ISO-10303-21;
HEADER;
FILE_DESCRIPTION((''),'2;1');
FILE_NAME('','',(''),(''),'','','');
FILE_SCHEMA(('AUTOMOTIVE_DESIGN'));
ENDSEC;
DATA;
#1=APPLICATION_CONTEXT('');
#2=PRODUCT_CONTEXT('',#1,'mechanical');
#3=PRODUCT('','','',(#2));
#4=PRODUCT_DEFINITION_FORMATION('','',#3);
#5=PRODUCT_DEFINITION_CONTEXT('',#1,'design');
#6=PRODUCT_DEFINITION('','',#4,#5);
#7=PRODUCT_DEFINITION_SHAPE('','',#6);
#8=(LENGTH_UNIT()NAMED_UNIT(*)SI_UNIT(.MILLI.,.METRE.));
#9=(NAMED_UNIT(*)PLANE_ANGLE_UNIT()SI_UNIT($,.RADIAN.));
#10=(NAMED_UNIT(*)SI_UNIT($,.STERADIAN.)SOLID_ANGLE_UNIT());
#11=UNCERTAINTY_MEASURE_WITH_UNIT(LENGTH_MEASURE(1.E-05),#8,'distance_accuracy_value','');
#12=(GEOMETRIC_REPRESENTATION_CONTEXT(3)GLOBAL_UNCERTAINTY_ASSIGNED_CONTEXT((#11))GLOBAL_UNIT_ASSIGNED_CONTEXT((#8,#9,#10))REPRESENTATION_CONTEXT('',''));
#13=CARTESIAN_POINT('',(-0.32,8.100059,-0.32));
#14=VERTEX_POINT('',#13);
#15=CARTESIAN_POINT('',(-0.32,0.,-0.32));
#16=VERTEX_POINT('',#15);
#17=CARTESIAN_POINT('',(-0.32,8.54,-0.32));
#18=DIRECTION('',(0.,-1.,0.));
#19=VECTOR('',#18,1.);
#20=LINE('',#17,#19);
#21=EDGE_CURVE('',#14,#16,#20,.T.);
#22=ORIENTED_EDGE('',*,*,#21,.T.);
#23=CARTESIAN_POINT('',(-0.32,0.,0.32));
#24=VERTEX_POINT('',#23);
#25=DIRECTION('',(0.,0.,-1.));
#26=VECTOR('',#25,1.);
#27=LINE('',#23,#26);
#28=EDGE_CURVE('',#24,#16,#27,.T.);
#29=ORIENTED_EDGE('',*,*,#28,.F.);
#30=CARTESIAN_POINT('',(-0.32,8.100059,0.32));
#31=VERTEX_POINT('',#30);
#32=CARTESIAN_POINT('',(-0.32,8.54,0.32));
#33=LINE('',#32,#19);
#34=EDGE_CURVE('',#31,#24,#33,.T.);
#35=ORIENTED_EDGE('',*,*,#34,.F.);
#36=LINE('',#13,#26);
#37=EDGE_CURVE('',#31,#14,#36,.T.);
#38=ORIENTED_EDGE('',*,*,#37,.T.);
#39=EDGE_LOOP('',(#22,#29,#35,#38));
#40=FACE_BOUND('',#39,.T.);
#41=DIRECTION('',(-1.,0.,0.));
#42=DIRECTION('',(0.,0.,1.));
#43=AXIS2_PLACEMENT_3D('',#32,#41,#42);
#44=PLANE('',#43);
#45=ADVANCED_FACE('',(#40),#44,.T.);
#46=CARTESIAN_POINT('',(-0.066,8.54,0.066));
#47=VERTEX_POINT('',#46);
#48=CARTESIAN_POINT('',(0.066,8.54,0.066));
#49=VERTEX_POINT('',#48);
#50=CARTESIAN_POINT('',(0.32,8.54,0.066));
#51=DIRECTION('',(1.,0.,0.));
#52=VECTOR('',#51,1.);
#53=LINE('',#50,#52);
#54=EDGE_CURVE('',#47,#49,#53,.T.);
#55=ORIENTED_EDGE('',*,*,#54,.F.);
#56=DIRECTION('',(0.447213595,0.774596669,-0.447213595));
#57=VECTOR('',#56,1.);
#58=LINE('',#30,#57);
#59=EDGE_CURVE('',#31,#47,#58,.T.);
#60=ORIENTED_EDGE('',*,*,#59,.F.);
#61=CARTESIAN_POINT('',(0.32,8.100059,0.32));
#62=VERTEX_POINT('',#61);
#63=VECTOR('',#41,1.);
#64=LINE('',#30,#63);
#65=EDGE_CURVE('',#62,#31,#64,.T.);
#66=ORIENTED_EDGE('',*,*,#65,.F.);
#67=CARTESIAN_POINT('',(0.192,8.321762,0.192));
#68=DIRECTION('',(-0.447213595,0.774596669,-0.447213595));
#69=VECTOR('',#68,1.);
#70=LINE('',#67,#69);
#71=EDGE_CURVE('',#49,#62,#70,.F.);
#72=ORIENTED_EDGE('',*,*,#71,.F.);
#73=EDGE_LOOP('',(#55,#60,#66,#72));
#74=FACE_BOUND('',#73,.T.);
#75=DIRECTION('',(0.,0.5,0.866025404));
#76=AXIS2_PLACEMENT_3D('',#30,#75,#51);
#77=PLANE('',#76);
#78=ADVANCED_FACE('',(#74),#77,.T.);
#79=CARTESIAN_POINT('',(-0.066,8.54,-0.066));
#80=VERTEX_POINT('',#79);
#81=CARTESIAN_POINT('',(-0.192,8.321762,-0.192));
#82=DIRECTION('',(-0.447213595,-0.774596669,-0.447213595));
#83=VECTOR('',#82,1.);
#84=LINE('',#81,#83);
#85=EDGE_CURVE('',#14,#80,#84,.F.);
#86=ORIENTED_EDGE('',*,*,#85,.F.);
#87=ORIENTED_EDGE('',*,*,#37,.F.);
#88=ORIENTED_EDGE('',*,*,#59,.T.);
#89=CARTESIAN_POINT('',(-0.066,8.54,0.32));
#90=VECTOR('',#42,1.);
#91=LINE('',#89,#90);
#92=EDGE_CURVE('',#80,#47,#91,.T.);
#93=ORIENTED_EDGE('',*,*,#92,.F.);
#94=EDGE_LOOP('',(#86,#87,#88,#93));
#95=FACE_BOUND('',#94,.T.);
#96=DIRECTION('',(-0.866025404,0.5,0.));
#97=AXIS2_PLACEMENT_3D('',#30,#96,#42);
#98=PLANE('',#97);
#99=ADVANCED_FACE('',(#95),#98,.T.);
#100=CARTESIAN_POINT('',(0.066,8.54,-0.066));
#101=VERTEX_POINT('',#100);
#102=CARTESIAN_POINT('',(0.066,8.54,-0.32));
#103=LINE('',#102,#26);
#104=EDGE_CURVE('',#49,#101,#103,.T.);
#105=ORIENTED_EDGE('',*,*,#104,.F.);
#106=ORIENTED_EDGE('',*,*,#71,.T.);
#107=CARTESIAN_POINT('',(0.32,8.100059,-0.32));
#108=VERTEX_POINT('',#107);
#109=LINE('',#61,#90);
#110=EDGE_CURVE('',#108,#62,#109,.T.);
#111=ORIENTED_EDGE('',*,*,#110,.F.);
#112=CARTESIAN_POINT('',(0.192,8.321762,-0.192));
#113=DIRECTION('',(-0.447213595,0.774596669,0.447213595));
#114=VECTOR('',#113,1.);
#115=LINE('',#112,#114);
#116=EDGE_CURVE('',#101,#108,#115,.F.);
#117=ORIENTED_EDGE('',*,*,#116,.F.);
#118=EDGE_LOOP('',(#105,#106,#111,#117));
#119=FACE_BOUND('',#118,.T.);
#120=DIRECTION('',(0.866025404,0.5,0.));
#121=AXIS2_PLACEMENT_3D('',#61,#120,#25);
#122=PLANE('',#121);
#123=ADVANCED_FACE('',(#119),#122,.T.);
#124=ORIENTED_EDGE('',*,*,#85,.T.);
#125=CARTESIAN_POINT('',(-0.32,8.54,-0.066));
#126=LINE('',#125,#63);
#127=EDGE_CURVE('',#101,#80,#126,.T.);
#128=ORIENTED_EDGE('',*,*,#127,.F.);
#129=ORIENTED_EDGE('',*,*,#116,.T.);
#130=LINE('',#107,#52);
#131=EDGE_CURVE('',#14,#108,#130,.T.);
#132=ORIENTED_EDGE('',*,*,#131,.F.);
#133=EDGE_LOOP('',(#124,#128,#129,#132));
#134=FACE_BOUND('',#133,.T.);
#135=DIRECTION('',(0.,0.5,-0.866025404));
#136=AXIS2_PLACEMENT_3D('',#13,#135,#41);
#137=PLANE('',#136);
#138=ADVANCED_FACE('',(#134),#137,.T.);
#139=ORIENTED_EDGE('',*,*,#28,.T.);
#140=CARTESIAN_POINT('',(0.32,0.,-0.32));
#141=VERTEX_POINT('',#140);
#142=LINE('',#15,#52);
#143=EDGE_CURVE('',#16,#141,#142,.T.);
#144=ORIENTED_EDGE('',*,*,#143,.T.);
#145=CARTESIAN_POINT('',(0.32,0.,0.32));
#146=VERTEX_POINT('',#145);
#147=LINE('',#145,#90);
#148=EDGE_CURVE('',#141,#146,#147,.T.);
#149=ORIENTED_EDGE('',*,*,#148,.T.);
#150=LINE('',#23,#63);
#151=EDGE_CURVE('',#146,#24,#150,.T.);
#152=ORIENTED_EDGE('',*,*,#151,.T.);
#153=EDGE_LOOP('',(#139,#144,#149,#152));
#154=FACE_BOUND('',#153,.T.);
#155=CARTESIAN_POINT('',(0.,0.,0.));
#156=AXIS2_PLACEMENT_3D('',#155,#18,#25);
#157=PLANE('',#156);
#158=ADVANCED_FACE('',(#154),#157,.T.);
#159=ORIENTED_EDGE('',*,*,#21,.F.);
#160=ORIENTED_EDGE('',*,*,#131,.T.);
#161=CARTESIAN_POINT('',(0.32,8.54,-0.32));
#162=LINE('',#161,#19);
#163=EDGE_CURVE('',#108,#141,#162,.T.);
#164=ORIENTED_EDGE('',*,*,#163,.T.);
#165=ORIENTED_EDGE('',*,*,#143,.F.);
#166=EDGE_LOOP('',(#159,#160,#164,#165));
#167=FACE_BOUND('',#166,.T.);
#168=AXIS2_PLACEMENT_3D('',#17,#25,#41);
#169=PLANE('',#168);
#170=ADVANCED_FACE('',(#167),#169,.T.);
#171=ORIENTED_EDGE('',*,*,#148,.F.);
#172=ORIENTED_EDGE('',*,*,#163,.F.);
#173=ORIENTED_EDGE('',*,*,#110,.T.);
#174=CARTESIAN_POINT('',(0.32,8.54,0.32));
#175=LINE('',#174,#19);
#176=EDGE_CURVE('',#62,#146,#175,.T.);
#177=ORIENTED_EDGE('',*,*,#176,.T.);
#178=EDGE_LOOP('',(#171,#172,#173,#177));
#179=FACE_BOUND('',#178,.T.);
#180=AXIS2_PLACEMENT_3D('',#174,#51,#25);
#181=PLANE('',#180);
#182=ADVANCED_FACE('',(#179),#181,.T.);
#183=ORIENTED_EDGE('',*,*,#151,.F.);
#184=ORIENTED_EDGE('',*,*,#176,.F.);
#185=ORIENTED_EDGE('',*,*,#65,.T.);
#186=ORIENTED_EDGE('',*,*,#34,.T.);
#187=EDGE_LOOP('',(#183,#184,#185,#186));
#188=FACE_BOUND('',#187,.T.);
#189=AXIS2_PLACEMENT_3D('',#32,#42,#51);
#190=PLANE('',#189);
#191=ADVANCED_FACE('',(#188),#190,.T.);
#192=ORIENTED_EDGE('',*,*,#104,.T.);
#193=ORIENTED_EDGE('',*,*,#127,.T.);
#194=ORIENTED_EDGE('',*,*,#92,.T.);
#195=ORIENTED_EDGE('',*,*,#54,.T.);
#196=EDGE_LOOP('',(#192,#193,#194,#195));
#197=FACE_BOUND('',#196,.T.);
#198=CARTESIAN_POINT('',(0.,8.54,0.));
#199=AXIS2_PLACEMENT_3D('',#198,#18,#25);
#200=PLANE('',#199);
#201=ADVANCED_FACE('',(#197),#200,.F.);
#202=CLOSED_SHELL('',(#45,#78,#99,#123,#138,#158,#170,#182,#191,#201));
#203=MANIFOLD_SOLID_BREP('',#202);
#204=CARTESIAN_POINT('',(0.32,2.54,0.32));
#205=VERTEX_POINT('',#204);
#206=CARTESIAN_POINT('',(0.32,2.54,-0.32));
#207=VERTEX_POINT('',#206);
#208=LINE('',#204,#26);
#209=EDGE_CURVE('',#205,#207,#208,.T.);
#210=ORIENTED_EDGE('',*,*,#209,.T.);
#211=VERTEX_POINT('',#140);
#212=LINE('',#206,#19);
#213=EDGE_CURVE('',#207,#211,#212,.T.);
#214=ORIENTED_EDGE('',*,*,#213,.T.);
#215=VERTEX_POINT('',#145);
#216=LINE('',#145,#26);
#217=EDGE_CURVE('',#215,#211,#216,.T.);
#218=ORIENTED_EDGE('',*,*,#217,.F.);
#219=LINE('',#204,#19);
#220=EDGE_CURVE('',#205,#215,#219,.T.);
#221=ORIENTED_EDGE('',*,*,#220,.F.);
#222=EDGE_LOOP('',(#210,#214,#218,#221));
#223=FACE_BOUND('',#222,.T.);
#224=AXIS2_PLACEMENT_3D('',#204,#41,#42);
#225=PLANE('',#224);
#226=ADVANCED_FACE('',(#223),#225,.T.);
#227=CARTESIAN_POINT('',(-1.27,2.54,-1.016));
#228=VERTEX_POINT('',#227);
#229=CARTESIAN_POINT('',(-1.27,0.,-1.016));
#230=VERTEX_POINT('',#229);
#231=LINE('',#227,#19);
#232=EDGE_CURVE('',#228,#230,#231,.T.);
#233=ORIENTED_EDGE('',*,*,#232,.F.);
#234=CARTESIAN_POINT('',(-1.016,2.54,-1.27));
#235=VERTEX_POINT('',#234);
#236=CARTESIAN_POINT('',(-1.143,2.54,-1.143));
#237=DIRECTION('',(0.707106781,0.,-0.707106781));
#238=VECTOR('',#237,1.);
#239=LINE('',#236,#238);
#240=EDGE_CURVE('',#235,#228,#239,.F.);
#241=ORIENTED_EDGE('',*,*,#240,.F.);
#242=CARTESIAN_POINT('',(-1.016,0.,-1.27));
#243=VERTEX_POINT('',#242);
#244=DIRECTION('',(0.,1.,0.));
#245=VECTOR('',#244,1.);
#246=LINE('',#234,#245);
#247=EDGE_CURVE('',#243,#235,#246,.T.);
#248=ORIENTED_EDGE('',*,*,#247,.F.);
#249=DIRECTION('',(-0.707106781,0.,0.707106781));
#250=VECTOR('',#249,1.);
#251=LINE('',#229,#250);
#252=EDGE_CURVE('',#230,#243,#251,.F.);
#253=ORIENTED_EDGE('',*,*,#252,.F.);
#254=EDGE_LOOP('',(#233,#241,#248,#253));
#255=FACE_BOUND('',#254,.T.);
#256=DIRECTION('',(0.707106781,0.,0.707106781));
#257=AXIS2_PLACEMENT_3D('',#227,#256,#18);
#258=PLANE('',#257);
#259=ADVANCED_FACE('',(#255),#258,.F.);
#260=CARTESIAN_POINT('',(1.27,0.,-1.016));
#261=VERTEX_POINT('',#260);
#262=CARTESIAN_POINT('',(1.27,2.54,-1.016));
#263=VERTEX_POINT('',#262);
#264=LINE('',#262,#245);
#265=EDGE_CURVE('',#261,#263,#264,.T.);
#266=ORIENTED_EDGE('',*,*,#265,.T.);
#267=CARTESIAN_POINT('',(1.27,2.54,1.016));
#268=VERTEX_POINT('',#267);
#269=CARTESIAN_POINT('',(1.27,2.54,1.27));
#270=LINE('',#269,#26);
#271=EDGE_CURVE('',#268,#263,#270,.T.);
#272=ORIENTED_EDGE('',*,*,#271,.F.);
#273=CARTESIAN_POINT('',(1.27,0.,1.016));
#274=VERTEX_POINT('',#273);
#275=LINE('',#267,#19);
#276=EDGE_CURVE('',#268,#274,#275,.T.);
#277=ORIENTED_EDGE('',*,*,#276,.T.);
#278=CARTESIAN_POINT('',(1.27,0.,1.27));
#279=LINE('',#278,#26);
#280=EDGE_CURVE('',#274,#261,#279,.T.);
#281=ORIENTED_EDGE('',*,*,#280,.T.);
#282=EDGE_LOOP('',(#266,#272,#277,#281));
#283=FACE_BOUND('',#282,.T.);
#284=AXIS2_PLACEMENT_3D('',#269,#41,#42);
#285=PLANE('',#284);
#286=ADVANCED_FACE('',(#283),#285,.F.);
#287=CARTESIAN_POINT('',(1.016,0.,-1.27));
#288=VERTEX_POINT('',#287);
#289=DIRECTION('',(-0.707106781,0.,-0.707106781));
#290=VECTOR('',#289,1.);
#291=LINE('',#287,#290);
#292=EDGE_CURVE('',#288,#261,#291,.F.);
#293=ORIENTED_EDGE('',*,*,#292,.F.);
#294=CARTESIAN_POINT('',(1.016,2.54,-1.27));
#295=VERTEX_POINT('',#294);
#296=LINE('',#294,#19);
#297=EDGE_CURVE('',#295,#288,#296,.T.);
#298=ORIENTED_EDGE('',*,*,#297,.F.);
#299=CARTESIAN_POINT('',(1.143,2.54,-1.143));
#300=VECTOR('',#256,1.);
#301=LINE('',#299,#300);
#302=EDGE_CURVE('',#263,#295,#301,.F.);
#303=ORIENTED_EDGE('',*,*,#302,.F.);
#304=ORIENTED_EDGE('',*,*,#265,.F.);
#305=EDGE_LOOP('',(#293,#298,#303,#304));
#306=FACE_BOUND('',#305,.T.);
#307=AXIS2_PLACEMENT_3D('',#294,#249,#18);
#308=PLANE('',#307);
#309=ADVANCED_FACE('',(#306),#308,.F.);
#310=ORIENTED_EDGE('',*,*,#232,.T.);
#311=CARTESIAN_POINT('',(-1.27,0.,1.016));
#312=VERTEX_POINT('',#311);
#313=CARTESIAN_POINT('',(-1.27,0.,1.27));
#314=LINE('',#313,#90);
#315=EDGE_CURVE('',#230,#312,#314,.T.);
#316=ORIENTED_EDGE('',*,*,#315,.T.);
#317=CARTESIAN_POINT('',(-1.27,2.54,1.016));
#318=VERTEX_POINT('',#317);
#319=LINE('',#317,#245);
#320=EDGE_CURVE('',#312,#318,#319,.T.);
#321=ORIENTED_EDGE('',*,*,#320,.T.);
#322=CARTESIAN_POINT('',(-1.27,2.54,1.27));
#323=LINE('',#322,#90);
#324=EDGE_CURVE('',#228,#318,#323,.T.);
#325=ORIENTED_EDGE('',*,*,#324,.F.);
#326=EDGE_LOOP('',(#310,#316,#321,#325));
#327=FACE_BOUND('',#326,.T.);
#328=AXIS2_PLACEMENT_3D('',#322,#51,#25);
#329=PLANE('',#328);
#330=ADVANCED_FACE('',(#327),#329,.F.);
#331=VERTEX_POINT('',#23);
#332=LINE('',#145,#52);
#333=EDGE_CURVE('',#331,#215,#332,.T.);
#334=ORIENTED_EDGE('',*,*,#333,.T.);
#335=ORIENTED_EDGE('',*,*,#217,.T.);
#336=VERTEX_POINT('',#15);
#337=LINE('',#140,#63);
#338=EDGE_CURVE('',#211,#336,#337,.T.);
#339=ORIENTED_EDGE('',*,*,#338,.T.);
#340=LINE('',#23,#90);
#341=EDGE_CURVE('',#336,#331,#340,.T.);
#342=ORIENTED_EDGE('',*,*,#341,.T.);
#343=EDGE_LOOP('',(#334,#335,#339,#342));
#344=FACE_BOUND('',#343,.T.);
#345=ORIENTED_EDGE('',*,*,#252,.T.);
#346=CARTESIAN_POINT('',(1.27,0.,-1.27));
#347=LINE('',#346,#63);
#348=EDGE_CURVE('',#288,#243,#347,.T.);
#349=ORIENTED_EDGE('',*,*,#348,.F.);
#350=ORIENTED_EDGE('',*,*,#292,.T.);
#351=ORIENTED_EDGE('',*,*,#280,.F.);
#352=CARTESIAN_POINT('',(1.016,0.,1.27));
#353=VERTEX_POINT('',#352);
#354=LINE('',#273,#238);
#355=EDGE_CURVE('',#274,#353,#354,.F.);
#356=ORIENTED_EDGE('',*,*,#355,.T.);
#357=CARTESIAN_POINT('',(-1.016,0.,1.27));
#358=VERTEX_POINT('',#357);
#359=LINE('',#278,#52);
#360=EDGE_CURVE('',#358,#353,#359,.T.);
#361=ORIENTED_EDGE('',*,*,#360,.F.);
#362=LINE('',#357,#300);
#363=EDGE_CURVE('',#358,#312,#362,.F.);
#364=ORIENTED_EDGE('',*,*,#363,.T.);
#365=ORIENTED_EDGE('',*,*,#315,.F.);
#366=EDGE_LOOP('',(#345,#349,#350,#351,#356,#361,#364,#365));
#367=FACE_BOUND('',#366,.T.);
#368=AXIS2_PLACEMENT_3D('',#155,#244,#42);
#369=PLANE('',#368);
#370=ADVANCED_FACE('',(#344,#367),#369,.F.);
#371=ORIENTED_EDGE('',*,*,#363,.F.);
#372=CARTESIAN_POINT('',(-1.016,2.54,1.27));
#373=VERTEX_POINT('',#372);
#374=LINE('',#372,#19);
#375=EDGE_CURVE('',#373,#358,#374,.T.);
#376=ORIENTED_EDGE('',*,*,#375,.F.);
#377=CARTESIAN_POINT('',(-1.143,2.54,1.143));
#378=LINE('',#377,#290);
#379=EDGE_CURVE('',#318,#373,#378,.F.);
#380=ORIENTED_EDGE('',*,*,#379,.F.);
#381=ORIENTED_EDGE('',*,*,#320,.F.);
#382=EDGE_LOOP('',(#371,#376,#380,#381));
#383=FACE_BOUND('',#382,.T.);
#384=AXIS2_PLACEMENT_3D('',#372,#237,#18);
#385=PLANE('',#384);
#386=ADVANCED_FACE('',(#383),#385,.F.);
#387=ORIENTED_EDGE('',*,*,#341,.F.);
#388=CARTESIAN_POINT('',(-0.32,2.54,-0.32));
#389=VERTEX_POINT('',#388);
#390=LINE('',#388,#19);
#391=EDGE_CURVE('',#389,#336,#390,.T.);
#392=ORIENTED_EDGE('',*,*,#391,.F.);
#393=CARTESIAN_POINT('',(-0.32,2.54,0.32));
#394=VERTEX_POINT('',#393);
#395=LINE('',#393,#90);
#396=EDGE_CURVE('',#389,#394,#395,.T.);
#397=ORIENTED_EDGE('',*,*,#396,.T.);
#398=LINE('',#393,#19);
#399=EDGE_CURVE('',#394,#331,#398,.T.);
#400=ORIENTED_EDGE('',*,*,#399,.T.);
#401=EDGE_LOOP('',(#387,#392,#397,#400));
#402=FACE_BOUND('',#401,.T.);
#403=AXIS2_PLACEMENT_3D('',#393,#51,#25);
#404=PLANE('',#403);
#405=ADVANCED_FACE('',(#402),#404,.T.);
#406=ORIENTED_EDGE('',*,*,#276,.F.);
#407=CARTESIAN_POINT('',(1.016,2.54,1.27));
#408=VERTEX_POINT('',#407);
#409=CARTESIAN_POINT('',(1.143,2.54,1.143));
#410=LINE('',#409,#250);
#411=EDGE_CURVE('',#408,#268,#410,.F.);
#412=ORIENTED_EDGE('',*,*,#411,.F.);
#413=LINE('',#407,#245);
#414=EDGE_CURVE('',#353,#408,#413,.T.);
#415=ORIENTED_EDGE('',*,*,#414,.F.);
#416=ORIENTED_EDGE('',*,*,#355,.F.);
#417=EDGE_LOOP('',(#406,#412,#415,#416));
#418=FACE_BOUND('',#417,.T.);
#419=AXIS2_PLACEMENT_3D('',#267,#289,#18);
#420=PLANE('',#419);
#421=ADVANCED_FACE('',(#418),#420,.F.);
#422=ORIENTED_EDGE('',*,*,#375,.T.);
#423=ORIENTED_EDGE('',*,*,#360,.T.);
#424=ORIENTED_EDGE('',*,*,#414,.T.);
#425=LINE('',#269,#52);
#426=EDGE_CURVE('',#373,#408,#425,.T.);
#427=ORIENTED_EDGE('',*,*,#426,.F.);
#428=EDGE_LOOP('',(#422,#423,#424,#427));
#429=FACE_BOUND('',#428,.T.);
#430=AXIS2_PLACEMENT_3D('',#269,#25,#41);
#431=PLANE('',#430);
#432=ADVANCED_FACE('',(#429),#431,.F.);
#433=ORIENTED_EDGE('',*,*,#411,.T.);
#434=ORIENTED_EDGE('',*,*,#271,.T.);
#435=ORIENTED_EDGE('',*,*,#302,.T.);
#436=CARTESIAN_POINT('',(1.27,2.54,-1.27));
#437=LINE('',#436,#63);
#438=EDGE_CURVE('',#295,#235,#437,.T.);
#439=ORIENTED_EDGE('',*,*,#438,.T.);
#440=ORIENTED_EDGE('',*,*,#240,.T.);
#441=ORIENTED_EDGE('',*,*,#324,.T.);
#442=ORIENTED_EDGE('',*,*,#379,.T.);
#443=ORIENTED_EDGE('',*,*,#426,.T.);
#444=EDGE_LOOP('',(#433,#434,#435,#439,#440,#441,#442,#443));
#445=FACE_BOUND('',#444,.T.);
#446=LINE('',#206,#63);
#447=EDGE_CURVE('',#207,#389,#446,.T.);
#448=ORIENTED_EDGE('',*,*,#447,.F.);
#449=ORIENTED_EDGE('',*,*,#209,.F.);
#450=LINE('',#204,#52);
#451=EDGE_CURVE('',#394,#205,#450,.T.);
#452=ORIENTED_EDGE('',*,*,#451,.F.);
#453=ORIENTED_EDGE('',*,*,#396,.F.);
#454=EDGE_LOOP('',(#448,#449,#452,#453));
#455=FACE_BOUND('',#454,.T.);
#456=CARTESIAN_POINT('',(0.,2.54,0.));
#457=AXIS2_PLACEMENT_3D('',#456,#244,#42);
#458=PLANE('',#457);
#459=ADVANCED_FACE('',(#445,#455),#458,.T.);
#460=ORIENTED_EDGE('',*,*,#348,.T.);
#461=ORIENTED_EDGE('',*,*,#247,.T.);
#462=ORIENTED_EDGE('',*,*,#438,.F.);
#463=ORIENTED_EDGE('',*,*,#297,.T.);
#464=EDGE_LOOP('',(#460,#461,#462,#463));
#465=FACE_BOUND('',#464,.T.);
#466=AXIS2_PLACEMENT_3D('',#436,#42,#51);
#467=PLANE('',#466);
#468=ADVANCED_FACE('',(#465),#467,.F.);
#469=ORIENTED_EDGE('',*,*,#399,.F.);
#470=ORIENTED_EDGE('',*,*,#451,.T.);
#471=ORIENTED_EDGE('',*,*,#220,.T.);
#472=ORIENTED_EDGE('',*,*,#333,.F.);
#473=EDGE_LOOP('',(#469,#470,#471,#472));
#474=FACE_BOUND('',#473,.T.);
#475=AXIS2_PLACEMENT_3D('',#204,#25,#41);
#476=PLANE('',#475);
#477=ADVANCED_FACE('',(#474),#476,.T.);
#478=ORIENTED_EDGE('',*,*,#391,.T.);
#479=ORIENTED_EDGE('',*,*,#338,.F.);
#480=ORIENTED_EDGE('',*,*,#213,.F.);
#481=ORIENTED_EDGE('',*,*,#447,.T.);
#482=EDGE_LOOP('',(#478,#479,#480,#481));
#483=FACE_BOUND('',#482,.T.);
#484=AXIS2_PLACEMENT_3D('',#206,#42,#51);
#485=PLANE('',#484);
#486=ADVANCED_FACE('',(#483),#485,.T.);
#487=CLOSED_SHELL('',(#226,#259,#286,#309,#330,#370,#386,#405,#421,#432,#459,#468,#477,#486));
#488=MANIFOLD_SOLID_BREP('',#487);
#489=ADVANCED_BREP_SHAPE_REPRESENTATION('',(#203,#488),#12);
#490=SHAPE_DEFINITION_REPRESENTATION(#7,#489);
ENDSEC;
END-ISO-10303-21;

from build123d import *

# Parameters (mm, degrees)
SKETCH1_W           = 2.54
SKETCH1_H           = 2.54
SKETCH1_W_2         = 0.64
SKETCH1_H_2         = 0.64
BOSS_EXTRUDE1_DEPTH = 2.54
CHAMFER1_SIZE       = 0.254
SKETCH2_W           = 0.64
SKETCH2_H           = 0.64
BOSS_EXTRUDE2_DEPTH = 8.539999938
CHAMFER2_SIZE       = 0.254
CHAMFER2_SIZE2      = 0.439940905


with BuildPart() as part:
    # Sketch1 → Boss-Extrude1 (new body)
    with BuildSketch(Plane(origin=(0, 0, 0), x_dir=(1, 0, 0), z_dir=(0, 1, 0))):
        Rectangle(SKETCH1_W, SKETCH1_H)
        Rectangle(SKETCH1_W_2, SKETCH1_H_2, mode=Mode.SUBTRACT)
    extrude(amount=BOSS_EXTRUDE1_DEPTH)

    # Chamfer1
    chamfer1_edges = [part.edges().sort_by_distance(p)[0] for p in [
        (-1.27, 1.27, -1.27),
        (1.27, 1.27, -1.27),
        (1.27, 1.27, 1.27),
        (-1.27, 1.27, 1.27),
    ]]
    chamfer(chamfer1_edges, length=CHAMFER1_SIZE)


with BuildPart() as body_2:
    # Sketch2 → Boss-Extrude2 (new body)
    with BuildSketch(Plane.XZ):
        Rectangle(SKETCH2_W, SKETCH2_H)
    extrude(amount=-BOSS_EXTRUDE2_DEPTH)

    # Chamfer2
    chamfer2_edges = [body_2.edges().sort_by_distance(p)[0] for p in [
        (0.32, 8.539999938, 0),
        (0, 8.539999938, 0.32),
        (-0.32, 8.539999938, 0),
        (0, 8.539999938, -0.32),
    ]]
    chamfer2_side = [body_2.faces().sort_by_distance(p)[0] for p in [
        (0, 8.539999938, 0),
    ]]
    chamfer(chamfer2_edges, length=CHAMFER2_SIZE, length2=CHAMFER2_SIZE2, reference=chamfer2_side[0])


solid = Compound([part.part, body_2.part])
